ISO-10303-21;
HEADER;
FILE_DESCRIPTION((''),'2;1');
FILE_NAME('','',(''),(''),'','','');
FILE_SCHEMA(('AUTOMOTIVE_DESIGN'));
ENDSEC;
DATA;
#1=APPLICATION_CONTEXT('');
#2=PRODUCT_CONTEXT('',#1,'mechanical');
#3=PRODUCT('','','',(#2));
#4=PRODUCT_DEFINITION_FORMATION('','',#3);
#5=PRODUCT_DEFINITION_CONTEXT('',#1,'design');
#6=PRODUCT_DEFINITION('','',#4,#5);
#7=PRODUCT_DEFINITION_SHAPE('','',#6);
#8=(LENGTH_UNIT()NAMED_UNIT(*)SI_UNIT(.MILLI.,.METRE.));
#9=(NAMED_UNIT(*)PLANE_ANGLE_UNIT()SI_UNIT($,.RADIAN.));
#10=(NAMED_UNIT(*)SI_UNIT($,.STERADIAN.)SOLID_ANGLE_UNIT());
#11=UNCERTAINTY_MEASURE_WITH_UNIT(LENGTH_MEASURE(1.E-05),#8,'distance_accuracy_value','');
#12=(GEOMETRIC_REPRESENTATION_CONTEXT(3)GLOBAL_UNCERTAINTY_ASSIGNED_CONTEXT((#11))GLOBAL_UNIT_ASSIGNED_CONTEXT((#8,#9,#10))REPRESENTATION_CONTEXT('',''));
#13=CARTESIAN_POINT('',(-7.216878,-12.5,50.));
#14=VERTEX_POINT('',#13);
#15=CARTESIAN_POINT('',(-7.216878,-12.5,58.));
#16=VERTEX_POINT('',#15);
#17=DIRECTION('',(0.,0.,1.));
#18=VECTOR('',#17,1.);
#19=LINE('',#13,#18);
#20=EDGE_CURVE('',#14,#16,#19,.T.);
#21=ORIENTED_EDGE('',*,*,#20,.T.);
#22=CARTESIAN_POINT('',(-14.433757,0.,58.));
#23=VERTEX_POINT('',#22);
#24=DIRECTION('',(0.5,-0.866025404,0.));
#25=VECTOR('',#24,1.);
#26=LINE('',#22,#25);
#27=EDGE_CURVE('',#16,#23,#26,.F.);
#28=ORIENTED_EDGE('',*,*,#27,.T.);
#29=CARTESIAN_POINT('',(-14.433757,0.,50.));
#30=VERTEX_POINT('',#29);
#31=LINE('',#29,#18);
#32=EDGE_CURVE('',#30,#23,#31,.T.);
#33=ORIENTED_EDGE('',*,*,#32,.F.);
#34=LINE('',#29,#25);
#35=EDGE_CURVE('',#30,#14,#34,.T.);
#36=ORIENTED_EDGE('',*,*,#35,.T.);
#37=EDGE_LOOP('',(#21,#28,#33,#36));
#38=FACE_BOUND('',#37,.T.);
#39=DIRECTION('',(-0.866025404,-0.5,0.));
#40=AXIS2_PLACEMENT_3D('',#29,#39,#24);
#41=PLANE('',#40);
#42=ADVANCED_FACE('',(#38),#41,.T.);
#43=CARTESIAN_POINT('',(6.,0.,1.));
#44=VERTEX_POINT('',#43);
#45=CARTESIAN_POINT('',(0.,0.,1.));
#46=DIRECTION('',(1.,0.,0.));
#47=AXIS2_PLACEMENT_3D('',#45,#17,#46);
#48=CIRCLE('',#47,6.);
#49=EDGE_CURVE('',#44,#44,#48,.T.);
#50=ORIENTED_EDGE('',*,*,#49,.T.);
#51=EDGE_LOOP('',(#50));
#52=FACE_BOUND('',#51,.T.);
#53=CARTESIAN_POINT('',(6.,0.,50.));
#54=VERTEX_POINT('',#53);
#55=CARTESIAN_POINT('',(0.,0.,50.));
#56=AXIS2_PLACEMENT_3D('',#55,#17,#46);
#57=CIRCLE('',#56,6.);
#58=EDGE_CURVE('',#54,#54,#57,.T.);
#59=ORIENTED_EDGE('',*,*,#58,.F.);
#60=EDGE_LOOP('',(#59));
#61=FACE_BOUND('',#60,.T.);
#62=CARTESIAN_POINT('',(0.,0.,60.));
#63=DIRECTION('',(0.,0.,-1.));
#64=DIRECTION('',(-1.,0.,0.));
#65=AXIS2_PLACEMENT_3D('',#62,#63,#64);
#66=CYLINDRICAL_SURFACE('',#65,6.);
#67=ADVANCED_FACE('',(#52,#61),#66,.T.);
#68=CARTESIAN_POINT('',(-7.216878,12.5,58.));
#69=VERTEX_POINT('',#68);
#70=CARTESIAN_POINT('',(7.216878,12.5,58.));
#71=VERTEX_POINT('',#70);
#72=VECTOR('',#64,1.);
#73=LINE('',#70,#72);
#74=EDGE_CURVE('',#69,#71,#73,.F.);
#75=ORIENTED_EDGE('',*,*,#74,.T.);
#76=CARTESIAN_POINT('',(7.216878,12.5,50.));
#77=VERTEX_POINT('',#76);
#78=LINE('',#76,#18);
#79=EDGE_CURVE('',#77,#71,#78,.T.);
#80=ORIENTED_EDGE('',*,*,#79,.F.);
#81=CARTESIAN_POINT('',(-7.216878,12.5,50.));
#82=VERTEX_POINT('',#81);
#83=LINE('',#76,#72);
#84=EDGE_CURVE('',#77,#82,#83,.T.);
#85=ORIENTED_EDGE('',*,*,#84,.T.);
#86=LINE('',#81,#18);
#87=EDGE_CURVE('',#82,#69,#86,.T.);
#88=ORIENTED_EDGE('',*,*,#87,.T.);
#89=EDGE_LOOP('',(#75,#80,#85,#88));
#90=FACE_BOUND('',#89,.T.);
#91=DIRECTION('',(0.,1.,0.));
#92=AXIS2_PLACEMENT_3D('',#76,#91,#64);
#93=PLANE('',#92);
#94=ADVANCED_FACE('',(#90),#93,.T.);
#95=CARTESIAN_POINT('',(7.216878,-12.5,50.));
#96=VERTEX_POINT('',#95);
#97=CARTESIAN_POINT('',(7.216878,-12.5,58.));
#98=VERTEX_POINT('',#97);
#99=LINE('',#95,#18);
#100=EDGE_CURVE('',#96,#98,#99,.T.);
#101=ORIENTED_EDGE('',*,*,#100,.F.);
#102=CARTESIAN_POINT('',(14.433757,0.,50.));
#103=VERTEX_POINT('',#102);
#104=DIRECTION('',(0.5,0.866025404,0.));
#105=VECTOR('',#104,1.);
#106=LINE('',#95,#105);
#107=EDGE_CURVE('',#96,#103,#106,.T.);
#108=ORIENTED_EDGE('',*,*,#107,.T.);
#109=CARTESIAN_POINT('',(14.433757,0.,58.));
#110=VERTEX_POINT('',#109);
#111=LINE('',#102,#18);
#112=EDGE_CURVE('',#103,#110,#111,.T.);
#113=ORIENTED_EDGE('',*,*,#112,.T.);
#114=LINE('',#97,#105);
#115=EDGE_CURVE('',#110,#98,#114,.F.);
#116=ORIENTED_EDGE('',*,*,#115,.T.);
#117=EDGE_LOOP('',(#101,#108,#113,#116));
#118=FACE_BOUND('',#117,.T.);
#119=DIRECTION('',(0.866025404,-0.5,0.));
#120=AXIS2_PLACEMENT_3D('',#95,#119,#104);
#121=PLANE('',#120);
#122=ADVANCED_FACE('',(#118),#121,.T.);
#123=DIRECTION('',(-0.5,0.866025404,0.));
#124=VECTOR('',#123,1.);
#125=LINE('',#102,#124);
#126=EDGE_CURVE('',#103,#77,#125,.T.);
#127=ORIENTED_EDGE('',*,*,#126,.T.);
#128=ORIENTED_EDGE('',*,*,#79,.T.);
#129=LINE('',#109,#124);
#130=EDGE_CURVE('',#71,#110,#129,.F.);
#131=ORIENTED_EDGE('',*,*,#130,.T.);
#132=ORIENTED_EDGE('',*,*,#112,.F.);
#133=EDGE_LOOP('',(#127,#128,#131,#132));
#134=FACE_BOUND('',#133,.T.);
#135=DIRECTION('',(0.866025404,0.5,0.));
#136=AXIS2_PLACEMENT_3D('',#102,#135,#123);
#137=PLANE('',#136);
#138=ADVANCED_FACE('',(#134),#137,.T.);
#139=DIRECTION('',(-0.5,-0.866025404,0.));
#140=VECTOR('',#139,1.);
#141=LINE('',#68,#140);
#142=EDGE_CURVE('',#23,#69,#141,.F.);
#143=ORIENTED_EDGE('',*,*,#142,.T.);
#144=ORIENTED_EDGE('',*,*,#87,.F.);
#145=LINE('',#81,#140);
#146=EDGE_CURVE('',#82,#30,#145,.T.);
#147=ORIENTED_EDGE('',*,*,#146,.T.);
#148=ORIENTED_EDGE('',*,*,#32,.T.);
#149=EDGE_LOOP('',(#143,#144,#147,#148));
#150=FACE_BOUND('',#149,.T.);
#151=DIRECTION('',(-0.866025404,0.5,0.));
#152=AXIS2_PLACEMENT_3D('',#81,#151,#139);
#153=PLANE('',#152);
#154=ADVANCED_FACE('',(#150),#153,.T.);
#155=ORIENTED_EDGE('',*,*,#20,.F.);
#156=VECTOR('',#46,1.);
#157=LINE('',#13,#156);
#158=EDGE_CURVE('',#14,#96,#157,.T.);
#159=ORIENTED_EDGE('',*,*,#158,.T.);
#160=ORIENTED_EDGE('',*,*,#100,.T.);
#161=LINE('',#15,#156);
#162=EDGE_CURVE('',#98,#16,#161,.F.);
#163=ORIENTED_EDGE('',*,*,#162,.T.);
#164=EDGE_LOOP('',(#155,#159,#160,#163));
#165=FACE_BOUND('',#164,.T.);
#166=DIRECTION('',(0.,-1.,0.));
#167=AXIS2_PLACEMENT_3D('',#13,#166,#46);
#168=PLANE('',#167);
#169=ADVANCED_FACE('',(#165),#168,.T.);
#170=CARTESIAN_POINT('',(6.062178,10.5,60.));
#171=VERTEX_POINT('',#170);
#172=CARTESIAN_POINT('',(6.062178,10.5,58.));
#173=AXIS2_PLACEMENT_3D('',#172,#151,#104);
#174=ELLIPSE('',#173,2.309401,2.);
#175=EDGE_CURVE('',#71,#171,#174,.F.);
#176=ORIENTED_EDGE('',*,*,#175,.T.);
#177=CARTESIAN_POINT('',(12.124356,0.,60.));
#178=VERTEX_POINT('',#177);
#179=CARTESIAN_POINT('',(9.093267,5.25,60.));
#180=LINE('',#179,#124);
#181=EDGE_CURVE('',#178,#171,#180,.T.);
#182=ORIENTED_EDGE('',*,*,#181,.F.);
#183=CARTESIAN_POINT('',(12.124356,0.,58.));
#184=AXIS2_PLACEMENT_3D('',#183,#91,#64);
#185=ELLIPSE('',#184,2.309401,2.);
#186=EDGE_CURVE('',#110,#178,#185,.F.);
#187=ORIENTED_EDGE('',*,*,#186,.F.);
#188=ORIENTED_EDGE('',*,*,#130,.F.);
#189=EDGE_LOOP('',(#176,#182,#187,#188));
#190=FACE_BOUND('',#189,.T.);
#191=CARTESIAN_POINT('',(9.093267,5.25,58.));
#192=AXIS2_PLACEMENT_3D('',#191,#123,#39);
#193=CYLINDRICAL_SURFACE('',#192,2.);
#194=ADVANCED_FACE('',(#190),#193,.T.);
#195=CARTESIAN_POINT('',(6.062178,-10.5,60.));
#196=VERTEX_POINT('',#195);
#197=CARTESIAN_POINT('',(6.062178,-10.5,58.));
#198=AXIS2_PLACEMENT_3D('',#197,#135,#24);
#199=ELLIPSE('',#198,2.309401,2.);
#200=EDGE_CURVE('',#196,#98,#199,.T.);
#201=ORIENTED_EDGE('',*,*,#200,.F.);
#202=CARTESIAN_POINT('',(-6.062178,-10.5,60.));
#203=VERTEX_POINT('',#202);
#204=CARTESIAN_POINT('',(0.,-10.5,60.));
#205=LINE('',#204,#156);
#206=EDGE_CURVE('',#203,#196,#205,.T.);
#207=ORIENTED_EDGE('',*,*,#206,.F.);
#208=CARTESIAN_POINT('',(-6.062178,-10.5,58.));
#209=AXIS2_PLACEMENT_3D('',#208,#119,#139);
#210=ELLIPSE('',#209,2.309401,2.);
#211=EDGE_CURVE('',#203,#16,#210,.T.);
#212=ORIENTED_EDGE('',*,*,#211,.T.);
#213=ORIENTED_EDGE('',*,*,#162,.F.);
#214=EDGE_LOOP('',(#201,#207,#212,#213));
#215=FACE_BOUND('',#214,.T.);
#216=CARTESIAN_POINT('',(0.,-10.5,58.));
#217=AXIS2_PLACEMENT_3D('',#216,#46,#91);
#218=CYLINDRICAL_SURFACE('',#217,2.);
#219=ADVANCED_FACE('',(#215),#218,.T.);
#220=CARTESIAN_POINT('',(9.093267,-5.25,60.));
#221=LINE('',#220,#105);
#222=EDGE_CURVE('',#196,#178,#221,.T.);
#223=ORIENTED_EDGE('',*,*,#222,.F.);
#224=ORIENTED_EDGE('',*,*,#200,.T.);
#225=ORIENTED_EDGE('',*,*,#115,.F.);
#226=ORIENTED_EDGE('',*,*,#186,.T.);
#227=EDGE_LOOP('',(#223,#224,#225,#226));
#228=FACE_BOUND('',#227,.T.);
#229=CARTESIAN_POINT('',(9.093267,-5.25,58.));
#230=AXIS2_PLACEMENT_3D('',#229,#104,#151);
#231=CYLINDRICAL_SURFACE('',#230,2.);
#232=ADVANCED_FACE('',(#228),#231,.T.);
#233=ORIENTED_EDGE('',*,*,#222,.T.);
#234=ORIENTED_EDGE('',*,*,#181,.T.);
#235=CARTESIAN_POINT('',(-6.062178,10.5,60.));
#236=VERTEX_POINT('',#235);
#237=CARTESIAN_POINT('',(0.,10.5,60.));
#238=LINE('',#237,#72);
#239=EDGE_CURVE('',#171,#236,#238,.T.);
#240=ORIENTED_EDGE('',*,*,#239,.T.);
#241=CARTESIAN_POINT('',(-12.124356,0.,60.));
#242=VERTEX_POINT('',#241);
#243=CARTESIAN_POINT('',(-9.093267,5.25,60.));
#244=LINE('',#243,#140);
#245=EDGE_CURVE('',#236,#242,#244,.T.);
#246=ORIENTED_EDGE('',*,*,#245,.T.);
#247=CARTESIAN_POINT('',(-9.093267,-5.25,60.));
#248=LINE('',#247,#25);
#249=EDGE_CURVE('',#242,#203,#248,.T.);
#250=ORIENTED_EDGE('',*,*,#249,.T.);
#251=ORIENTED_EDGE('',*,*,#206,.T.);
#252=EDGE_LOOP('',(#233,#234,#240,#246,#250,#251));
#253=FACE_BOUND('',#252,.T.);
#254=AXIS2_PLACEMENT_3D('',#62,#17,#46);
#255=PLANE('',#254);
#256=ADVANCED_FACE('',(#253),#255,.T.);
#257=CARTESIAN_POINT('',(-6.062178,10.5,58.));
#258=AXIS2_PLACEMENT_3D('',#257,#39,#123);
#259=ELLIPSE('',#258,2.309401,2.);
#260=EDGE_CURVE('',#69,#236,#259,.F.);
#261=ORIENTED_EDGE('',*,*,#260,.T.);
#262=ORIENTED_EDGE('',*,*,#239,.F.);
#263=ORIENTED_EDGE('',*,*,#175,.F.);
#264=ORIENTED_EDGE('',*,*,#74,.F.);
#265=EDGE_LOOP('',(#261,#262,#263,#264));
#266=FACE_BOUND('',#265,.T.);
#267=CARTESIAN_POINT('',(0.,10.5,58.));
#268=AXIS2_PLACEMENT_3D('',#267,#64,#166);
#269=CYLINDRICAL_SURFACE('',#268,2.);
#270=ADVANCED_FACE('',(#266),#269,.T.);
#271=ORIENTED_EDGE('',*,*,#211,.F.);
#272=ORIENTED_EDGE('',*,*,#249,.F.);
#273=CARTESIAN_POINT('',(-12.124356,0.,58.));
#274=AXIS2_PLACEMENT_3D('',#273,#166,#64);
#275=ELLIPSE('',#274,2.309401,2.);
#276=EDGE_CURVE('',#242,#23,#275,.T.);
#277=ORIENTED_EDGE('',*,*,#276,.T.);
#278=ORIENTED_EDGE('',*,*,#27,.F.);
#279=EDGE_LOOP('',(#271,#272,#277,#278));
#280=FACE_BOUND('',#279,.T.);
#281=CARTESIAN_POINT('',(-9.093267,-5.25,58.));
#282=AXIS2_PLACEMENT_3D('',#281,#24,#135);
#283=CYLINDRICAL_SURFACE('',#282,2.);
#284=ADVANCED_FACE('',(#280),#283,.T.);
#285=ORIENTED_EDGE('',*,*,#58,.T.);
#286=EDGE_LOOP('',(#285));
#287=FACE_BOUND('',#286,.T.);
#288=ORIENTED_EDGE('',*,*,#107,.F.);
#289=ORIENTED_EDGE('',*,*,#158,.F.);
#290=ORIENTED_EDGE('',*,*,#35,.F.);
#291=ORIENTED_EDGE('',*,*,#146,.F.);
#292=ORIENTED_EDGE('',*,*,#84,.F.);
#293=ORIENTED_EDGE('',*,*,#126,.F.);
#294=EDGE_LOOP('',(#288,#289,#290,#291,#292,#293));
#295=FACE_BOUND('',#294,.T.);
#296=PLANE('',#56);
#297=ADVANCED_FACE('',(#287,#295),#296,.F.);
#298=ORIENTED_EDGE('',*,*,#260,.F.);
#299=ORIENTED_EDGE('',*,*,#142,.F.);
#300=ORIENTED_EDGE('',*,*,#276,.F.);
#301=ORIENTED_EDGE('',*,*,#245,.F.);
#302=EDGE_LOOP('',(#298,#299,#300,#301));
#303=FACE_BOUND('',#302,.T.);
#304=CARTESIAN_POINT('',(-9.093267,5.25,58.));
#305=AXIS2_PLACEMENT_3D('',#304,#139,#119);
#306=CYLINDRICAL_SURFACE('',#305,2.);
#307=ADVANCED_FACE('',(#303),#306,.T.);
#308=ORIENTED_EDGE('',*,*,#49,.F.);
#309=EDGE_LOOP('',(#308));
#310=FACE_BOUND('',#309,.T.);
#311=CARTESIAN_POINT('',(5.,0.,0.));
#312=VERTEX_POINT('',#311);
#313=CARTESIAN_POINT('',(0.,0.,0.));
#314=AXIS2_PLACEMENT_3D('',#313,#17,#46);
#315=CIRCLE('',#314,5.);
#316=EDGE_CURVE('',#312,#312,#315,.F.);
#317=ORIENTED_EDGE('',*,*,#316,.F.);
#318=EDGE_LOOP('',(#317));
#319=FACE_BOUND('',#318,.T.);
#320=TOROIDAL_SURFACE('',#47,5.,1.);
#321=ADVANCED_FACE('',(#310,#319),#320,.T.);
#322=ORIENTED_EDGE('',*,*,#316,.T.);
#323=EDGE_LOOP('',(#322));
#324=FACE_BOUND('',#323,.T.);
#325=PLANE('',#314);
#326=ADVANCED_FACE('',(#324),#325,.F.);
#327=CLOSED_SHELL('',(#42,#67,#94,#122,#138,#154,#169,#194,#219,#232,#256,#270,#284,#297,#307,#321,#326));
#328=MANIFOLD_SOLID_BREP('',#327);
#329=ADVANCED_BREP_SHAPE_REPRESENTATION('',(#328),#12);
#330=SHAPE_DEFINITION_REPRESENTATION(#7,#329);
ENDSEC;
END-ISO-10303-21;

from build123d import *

# Parameters (mm, degrees)
SKETCH_1_R      = 6
EXTRUDE_1_DEPTH = 60
EXTRUDE_2_DEPTH = 10
FILLET_1_R      = 2
FILLET_2_R      = 1


with BuildPart() as part:
    # 草图1 → 凸台-拉伸1 (new body)
    with BuildSketch(Plane.XY):
        Circle(SKETCH_1_R)
    extrude(amount=EXTRUDE_1_DEPTH)

    # 草图3 → 凸台-拉伸2 (add)
    with BuildSketch(Plane.XY.offset(60)):
        Polygon((7.216878365, -12.5), (14.43375673, 0), (7.216878365, 12.5), (-7.216878365, 12.5), (-14.43375673, 0), (-7.216878365, -12.5), align=None)
    extrude(amount=-EXTRUDE_2_DEPTH)

    # 圆角1
    fillet_1_edges = [part.edges().sort_by_distance(p)[0] for p in [
        (0, -12.5, 60),
        (10.825317547, -6.25, 60),
        (10.825317547, 6.25, 60),
        (0, 12.5, 60),
        (-10.825317547, 6.25, 60),
        (-10.825317547, -6.25, 60),
    ]]
    fillet(fillet_1_edges, radius=FILLET_1_R)

    # 圆角2
    fillet_2_edges = [part.edges().sort_by_distance(p)[0] for p in [
        (-6, 0, 0),
    ]]
    fillet(fillet_2_edges, radius=FILLET_2_R)


solid = part.part
